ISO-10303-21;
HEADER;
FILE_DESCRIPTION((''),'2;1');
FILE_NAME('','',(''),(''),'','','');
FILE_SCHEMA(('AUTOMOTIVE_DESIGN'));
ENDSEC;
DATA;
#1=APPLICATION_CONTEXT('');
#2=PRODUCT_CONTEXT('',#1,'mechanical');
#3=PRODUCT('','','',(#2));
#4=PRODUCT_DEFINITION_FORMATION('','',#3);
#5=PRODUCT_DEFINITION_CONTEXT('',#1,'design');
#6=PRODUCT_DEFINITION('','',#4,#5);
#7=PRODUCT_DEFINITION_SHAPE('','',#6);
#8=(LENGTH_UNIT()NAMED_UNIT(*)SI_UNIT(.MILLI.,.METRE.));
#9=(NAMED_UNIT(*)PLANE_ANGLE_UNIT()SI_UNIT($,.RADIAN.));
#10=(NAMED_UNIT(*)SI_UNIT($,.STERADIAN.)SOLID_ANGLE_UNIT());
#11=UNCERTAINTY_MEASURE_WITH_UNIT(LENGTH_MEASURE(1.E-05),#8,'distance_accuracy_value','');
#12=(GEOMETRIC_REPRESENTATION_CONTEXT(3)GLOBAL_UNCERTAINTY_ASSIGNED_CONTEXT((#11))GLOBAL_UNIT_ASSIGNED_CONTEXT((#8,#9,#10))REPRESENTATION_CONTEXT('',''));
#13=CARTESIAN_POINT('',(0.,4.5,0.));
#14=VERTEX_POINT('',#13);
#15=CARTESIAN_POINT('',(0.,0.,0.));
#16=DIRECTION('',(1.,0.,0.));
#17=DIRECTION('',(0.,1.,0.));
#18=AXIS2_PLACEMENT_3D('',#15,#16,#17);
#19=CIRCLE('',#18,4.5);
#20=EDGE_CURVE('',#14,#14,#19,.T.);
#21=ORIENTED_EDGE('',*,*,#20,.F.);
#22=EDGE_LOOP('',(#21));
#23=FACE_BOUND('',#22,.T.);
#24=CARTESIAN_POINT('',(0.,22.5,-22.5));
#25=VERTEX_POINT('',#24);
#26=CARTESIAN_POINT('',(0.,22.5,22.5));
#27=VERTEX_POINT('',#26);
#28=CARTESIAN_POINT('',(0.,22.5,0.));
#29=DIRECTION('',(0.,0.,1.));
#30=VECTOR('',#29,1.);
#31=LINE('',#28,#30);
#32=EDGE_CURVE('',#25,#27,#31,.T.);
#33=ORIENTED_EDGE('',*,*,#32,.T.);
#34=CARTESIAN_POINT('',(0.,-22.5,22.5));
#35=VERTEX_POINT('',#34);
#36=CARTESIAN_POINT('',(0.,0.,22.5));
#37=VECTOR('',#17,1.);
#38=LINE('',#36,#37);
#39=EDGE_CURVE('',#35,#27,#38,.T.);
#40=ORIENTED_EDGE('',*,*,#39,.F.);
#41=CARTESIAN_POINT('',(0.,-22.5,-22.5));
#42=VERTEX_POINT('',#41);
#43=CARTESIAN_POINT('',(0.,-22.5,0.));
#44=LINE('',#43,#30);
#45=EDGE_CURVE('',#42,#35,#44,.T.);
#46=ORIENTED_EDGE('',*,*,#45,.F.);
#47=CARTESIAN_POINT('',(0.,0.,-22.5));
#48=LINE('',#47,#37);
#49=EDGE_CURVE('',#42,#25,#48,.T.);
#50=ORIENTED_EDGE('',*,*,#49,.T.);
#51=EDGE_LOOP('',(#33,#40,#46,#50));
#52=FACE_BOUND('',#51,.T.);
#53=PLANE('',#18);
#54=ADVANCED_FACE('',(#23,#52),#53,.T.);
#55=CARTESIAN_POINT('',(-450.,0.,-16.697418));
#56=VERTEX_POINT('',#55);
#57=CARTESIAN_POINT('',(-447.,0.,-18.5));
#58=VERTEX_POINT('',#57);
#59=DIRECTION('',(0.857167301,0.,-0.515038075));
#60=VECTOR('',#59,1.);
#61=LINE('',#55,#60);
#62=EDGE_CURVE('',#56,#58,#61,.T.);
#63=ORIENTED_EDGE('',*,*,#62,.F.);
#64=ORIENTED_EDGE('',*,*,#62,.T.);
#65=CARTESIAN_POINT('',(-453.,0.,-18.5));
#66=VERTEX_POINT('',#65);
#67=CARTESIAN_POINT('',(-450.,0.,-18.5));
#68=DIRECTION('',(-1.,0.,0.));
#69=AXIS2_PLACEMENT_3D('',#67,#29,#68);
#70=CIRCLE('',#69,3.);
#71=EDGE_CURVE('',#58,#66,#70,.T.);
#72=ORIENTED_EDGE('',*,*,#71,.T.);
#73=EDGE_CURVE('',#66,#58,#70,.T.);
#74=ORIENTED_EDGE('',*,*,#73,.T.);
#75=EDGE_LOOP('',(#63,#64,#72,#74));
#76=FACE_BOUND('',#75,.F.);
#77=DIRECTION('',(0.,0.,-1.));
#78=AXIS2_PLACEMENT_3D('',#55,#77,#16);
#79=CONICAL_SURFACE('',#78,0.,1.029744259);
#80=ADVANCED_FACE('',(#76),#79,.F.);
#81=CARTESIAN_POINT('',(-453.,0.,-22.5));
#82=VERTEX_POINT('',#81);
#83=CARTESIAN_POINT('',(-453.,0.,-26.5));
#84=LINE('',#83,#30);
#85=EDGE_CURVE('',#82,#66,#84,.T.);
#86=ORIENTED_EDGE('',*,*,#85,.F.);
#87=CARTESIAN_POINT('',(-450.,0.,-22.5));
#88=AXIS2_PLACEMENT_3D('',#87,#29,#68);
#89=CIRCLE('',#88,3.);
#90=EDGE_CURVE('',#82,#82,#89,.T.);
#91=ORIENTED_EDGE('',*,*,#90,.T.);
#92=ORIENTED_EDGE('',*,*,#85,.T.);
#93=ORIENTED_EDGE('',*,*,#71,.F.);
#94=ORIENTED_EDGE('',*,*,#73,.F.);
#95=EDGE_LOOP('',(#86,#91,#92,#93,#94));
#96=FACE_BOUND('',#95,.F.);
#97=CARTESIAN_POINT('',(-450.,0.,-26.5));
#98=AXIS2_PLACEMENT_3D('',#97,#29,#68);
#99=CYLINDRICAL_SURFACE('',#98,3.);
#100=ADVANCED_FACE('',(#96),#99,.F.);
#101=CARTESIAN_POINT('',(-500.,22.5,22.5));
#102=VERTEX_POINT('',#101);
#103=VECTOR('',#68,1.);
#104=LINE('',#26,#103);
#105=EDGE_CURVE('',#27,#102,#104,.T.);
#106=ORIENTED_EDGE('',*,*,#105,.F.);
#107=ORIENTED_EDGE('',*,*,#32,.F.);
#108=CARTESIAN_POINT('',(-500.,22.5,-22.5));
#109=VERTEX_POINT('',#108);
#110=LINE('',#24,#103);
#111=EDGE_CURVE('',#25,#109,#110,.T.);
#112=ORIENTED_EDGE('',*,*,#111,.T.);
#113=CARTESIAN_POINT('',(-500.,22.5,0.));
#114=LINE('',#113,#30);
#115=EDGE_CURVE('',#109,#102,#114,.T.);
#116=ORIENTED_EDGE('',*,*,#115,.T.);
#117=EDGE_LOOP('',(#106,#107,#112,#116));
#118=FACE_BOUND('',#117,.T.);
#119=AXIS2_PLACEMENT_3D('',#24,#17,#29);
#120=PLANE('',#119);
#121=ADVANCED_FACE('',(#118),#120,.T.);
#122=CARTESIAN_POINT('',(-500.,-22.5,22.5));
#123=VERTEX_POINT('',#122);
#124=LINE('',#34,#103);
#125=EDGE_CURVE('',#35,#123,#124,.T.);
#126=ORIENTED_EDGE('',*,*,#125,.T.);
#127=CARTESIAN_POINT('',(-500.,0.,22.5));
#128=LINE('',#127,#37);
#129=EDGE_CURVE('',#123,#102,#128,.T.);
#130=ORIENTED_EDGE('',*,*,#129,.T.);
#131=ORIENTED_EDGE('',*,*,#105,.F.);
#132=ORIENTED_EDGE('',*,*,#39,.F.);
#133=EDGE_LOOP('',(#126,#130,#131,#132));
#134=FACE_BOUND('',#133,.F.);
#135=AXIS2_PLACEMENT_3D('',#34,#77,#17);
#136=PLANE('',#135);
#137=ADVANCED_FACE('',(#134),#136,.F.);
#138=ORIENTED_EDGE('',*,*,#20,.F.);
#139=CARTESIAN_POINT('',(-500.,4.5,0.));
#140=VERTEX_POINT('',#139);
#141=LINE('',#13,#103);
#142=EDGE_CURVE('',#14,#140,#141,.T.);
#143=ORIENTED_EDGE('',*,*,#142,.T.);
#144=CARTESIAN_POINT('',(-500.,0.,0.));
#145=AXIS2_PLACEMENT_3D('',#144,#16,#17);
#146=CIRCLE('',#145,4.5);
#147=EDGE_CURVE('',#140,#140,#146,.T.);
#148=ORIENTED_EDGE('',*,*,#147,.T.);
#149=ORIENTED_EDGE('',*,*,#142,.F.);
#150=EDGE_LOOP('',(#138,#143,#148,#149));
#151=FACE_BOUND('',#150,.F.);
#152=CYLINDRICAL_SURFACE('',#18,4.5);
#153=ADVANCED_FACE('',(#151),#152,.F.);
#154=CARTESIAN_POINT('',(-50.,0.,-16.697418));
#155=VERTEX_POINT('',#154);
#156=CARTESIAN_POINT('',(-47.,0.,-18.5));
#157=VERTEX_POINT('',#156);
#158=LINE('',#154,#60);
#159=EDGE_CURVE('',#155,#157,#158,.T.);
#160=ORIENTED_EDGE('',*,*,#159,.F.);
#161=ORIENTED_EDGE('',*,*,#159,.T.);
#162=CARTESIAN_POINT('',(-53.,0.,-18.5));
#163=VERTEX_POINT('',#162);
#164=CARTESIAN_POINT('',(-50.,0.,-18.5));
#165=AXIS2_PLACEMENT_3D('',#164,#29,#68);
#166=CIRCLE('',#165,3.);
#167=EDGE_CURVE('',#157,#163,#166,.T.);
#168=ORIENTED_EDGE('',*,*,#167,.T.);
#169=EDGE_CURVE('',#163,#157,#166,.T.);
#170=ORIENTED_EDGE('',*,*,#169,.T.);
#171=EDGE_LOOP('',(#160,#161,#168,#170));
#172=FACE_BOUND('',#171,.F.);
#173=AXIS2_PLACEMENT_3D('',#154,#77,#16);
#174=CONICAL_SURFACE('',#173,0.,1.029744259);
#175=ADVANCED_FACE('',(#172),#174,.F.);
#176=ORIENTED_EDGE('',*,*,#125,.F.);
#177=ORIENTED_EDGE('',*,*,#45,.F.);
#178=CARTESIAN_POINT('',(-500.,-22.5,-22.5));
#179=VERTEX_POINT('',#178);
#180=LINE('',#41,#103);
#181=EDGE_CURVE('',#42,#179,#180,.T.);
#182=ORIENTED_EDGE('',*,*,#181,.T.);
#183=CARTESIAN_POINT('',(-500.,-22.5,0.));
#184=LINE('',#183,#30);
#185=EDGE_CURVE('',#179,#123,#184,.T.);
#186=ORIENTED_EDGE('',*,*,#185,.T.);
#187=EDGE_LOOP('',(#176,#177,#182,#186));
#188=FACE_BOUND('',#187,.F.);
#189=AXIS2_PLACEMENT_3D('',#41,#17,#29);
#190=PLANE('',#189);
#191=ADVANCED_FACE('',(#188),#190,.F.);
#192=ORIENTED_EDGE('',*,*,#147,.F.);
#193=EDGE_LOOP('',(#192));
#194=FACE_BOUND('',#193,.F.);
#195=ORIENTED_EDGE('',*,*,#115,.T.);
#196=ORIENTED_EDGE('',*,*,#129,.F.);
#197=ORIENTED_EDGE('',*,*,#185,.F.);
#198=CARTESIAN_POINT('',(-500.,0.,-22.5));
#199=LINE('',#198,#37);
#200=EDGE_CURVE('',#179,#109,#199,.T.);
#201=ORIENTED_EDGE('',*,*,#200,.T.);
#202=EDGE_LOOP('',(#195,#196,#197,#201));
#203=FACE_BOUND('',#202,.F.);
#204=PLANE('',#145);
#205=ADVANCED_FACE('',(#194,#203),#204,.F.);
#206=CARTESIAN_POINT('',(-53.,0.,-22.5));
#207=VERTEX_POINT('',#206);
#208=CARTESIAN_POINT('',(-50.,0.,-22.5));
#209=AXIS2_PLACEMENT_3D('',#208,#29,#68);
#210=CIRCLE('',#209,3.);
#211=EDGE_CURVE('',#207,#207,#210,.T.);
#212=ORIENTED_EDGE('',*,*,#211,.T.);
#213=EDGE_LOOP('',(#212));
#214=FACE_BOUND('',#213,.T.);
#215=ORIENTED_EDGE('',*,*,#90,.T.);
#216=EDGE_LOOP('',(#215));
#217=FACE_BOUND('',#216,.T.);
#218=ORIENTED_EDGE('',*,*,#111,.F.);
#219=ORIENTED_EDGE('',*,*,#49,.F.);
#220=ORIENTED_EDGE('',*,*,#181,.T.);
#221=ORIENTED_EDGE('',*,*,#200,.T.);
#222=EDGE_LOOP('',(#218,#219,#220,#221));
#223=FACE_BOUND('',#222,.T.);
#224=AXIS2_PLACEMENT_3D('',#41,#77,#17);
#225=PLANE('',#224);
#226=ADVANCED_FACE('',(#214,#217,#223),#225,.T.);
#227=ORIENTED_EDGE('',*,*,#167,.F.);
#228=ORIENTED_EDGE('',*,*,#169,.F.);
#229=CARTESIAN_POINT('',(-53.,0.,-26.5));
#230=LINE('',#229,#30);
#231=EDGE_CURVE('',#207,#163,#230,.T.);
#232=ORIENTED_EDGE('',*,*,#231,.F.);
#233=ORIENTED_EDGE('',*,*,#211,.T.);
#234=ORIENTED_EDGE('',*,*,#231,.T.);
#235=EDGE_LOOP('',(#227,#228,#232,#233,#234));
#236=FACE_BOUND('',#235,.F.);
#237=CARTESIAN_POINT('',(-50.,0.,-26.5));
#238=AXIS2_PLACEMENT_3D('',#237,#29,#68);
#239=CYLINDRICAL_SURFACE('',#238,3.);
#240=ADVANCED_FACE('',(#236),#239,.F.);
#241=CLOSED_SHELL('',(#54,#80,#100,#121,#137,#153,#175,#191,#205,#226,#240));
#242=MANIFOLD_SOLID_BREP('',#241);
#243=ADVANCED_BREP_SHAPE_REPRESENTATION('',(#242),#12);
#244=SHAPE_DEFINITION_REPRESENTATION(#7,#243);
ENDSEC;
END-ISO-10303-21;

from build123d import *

# Parameters (mm, degrees)
F0_W     = 45
F0_H     = 45
F0_R     = 4.5
F1_DEPTH = 500
F3_D     = 6
F3_DEPTH = 4
F3_TIP   = 1.8025818571


with BuildPart() as f1:
    # F0 (on Right) → F1 (new body)
    with BuildSketch(Plane.YZ):
        Rectangle(F0_W, F0_H)
        Circle(F0_R, mode=Mode.SUBTRACT)
    extrude(amount=-F1_DEPTH)

    # F3
    with Locations(Plane(origin=(0, 0, -22.5), x_dir=(1, 0, 0), z_dir=(0, 0, -1))):
        with Locations((-50, 0), (-450, 0)):
            Hole(F3_D / 2, depth=F3_DEPTH)
            with Locations((0, 0, -(F3_DEPTH + F3_TIP / 2))):  # 118° drill point
                Cone(0, F3_D / 2, F3_TIP, mode=Mode.SUBTRACT)


solid = f1.part
